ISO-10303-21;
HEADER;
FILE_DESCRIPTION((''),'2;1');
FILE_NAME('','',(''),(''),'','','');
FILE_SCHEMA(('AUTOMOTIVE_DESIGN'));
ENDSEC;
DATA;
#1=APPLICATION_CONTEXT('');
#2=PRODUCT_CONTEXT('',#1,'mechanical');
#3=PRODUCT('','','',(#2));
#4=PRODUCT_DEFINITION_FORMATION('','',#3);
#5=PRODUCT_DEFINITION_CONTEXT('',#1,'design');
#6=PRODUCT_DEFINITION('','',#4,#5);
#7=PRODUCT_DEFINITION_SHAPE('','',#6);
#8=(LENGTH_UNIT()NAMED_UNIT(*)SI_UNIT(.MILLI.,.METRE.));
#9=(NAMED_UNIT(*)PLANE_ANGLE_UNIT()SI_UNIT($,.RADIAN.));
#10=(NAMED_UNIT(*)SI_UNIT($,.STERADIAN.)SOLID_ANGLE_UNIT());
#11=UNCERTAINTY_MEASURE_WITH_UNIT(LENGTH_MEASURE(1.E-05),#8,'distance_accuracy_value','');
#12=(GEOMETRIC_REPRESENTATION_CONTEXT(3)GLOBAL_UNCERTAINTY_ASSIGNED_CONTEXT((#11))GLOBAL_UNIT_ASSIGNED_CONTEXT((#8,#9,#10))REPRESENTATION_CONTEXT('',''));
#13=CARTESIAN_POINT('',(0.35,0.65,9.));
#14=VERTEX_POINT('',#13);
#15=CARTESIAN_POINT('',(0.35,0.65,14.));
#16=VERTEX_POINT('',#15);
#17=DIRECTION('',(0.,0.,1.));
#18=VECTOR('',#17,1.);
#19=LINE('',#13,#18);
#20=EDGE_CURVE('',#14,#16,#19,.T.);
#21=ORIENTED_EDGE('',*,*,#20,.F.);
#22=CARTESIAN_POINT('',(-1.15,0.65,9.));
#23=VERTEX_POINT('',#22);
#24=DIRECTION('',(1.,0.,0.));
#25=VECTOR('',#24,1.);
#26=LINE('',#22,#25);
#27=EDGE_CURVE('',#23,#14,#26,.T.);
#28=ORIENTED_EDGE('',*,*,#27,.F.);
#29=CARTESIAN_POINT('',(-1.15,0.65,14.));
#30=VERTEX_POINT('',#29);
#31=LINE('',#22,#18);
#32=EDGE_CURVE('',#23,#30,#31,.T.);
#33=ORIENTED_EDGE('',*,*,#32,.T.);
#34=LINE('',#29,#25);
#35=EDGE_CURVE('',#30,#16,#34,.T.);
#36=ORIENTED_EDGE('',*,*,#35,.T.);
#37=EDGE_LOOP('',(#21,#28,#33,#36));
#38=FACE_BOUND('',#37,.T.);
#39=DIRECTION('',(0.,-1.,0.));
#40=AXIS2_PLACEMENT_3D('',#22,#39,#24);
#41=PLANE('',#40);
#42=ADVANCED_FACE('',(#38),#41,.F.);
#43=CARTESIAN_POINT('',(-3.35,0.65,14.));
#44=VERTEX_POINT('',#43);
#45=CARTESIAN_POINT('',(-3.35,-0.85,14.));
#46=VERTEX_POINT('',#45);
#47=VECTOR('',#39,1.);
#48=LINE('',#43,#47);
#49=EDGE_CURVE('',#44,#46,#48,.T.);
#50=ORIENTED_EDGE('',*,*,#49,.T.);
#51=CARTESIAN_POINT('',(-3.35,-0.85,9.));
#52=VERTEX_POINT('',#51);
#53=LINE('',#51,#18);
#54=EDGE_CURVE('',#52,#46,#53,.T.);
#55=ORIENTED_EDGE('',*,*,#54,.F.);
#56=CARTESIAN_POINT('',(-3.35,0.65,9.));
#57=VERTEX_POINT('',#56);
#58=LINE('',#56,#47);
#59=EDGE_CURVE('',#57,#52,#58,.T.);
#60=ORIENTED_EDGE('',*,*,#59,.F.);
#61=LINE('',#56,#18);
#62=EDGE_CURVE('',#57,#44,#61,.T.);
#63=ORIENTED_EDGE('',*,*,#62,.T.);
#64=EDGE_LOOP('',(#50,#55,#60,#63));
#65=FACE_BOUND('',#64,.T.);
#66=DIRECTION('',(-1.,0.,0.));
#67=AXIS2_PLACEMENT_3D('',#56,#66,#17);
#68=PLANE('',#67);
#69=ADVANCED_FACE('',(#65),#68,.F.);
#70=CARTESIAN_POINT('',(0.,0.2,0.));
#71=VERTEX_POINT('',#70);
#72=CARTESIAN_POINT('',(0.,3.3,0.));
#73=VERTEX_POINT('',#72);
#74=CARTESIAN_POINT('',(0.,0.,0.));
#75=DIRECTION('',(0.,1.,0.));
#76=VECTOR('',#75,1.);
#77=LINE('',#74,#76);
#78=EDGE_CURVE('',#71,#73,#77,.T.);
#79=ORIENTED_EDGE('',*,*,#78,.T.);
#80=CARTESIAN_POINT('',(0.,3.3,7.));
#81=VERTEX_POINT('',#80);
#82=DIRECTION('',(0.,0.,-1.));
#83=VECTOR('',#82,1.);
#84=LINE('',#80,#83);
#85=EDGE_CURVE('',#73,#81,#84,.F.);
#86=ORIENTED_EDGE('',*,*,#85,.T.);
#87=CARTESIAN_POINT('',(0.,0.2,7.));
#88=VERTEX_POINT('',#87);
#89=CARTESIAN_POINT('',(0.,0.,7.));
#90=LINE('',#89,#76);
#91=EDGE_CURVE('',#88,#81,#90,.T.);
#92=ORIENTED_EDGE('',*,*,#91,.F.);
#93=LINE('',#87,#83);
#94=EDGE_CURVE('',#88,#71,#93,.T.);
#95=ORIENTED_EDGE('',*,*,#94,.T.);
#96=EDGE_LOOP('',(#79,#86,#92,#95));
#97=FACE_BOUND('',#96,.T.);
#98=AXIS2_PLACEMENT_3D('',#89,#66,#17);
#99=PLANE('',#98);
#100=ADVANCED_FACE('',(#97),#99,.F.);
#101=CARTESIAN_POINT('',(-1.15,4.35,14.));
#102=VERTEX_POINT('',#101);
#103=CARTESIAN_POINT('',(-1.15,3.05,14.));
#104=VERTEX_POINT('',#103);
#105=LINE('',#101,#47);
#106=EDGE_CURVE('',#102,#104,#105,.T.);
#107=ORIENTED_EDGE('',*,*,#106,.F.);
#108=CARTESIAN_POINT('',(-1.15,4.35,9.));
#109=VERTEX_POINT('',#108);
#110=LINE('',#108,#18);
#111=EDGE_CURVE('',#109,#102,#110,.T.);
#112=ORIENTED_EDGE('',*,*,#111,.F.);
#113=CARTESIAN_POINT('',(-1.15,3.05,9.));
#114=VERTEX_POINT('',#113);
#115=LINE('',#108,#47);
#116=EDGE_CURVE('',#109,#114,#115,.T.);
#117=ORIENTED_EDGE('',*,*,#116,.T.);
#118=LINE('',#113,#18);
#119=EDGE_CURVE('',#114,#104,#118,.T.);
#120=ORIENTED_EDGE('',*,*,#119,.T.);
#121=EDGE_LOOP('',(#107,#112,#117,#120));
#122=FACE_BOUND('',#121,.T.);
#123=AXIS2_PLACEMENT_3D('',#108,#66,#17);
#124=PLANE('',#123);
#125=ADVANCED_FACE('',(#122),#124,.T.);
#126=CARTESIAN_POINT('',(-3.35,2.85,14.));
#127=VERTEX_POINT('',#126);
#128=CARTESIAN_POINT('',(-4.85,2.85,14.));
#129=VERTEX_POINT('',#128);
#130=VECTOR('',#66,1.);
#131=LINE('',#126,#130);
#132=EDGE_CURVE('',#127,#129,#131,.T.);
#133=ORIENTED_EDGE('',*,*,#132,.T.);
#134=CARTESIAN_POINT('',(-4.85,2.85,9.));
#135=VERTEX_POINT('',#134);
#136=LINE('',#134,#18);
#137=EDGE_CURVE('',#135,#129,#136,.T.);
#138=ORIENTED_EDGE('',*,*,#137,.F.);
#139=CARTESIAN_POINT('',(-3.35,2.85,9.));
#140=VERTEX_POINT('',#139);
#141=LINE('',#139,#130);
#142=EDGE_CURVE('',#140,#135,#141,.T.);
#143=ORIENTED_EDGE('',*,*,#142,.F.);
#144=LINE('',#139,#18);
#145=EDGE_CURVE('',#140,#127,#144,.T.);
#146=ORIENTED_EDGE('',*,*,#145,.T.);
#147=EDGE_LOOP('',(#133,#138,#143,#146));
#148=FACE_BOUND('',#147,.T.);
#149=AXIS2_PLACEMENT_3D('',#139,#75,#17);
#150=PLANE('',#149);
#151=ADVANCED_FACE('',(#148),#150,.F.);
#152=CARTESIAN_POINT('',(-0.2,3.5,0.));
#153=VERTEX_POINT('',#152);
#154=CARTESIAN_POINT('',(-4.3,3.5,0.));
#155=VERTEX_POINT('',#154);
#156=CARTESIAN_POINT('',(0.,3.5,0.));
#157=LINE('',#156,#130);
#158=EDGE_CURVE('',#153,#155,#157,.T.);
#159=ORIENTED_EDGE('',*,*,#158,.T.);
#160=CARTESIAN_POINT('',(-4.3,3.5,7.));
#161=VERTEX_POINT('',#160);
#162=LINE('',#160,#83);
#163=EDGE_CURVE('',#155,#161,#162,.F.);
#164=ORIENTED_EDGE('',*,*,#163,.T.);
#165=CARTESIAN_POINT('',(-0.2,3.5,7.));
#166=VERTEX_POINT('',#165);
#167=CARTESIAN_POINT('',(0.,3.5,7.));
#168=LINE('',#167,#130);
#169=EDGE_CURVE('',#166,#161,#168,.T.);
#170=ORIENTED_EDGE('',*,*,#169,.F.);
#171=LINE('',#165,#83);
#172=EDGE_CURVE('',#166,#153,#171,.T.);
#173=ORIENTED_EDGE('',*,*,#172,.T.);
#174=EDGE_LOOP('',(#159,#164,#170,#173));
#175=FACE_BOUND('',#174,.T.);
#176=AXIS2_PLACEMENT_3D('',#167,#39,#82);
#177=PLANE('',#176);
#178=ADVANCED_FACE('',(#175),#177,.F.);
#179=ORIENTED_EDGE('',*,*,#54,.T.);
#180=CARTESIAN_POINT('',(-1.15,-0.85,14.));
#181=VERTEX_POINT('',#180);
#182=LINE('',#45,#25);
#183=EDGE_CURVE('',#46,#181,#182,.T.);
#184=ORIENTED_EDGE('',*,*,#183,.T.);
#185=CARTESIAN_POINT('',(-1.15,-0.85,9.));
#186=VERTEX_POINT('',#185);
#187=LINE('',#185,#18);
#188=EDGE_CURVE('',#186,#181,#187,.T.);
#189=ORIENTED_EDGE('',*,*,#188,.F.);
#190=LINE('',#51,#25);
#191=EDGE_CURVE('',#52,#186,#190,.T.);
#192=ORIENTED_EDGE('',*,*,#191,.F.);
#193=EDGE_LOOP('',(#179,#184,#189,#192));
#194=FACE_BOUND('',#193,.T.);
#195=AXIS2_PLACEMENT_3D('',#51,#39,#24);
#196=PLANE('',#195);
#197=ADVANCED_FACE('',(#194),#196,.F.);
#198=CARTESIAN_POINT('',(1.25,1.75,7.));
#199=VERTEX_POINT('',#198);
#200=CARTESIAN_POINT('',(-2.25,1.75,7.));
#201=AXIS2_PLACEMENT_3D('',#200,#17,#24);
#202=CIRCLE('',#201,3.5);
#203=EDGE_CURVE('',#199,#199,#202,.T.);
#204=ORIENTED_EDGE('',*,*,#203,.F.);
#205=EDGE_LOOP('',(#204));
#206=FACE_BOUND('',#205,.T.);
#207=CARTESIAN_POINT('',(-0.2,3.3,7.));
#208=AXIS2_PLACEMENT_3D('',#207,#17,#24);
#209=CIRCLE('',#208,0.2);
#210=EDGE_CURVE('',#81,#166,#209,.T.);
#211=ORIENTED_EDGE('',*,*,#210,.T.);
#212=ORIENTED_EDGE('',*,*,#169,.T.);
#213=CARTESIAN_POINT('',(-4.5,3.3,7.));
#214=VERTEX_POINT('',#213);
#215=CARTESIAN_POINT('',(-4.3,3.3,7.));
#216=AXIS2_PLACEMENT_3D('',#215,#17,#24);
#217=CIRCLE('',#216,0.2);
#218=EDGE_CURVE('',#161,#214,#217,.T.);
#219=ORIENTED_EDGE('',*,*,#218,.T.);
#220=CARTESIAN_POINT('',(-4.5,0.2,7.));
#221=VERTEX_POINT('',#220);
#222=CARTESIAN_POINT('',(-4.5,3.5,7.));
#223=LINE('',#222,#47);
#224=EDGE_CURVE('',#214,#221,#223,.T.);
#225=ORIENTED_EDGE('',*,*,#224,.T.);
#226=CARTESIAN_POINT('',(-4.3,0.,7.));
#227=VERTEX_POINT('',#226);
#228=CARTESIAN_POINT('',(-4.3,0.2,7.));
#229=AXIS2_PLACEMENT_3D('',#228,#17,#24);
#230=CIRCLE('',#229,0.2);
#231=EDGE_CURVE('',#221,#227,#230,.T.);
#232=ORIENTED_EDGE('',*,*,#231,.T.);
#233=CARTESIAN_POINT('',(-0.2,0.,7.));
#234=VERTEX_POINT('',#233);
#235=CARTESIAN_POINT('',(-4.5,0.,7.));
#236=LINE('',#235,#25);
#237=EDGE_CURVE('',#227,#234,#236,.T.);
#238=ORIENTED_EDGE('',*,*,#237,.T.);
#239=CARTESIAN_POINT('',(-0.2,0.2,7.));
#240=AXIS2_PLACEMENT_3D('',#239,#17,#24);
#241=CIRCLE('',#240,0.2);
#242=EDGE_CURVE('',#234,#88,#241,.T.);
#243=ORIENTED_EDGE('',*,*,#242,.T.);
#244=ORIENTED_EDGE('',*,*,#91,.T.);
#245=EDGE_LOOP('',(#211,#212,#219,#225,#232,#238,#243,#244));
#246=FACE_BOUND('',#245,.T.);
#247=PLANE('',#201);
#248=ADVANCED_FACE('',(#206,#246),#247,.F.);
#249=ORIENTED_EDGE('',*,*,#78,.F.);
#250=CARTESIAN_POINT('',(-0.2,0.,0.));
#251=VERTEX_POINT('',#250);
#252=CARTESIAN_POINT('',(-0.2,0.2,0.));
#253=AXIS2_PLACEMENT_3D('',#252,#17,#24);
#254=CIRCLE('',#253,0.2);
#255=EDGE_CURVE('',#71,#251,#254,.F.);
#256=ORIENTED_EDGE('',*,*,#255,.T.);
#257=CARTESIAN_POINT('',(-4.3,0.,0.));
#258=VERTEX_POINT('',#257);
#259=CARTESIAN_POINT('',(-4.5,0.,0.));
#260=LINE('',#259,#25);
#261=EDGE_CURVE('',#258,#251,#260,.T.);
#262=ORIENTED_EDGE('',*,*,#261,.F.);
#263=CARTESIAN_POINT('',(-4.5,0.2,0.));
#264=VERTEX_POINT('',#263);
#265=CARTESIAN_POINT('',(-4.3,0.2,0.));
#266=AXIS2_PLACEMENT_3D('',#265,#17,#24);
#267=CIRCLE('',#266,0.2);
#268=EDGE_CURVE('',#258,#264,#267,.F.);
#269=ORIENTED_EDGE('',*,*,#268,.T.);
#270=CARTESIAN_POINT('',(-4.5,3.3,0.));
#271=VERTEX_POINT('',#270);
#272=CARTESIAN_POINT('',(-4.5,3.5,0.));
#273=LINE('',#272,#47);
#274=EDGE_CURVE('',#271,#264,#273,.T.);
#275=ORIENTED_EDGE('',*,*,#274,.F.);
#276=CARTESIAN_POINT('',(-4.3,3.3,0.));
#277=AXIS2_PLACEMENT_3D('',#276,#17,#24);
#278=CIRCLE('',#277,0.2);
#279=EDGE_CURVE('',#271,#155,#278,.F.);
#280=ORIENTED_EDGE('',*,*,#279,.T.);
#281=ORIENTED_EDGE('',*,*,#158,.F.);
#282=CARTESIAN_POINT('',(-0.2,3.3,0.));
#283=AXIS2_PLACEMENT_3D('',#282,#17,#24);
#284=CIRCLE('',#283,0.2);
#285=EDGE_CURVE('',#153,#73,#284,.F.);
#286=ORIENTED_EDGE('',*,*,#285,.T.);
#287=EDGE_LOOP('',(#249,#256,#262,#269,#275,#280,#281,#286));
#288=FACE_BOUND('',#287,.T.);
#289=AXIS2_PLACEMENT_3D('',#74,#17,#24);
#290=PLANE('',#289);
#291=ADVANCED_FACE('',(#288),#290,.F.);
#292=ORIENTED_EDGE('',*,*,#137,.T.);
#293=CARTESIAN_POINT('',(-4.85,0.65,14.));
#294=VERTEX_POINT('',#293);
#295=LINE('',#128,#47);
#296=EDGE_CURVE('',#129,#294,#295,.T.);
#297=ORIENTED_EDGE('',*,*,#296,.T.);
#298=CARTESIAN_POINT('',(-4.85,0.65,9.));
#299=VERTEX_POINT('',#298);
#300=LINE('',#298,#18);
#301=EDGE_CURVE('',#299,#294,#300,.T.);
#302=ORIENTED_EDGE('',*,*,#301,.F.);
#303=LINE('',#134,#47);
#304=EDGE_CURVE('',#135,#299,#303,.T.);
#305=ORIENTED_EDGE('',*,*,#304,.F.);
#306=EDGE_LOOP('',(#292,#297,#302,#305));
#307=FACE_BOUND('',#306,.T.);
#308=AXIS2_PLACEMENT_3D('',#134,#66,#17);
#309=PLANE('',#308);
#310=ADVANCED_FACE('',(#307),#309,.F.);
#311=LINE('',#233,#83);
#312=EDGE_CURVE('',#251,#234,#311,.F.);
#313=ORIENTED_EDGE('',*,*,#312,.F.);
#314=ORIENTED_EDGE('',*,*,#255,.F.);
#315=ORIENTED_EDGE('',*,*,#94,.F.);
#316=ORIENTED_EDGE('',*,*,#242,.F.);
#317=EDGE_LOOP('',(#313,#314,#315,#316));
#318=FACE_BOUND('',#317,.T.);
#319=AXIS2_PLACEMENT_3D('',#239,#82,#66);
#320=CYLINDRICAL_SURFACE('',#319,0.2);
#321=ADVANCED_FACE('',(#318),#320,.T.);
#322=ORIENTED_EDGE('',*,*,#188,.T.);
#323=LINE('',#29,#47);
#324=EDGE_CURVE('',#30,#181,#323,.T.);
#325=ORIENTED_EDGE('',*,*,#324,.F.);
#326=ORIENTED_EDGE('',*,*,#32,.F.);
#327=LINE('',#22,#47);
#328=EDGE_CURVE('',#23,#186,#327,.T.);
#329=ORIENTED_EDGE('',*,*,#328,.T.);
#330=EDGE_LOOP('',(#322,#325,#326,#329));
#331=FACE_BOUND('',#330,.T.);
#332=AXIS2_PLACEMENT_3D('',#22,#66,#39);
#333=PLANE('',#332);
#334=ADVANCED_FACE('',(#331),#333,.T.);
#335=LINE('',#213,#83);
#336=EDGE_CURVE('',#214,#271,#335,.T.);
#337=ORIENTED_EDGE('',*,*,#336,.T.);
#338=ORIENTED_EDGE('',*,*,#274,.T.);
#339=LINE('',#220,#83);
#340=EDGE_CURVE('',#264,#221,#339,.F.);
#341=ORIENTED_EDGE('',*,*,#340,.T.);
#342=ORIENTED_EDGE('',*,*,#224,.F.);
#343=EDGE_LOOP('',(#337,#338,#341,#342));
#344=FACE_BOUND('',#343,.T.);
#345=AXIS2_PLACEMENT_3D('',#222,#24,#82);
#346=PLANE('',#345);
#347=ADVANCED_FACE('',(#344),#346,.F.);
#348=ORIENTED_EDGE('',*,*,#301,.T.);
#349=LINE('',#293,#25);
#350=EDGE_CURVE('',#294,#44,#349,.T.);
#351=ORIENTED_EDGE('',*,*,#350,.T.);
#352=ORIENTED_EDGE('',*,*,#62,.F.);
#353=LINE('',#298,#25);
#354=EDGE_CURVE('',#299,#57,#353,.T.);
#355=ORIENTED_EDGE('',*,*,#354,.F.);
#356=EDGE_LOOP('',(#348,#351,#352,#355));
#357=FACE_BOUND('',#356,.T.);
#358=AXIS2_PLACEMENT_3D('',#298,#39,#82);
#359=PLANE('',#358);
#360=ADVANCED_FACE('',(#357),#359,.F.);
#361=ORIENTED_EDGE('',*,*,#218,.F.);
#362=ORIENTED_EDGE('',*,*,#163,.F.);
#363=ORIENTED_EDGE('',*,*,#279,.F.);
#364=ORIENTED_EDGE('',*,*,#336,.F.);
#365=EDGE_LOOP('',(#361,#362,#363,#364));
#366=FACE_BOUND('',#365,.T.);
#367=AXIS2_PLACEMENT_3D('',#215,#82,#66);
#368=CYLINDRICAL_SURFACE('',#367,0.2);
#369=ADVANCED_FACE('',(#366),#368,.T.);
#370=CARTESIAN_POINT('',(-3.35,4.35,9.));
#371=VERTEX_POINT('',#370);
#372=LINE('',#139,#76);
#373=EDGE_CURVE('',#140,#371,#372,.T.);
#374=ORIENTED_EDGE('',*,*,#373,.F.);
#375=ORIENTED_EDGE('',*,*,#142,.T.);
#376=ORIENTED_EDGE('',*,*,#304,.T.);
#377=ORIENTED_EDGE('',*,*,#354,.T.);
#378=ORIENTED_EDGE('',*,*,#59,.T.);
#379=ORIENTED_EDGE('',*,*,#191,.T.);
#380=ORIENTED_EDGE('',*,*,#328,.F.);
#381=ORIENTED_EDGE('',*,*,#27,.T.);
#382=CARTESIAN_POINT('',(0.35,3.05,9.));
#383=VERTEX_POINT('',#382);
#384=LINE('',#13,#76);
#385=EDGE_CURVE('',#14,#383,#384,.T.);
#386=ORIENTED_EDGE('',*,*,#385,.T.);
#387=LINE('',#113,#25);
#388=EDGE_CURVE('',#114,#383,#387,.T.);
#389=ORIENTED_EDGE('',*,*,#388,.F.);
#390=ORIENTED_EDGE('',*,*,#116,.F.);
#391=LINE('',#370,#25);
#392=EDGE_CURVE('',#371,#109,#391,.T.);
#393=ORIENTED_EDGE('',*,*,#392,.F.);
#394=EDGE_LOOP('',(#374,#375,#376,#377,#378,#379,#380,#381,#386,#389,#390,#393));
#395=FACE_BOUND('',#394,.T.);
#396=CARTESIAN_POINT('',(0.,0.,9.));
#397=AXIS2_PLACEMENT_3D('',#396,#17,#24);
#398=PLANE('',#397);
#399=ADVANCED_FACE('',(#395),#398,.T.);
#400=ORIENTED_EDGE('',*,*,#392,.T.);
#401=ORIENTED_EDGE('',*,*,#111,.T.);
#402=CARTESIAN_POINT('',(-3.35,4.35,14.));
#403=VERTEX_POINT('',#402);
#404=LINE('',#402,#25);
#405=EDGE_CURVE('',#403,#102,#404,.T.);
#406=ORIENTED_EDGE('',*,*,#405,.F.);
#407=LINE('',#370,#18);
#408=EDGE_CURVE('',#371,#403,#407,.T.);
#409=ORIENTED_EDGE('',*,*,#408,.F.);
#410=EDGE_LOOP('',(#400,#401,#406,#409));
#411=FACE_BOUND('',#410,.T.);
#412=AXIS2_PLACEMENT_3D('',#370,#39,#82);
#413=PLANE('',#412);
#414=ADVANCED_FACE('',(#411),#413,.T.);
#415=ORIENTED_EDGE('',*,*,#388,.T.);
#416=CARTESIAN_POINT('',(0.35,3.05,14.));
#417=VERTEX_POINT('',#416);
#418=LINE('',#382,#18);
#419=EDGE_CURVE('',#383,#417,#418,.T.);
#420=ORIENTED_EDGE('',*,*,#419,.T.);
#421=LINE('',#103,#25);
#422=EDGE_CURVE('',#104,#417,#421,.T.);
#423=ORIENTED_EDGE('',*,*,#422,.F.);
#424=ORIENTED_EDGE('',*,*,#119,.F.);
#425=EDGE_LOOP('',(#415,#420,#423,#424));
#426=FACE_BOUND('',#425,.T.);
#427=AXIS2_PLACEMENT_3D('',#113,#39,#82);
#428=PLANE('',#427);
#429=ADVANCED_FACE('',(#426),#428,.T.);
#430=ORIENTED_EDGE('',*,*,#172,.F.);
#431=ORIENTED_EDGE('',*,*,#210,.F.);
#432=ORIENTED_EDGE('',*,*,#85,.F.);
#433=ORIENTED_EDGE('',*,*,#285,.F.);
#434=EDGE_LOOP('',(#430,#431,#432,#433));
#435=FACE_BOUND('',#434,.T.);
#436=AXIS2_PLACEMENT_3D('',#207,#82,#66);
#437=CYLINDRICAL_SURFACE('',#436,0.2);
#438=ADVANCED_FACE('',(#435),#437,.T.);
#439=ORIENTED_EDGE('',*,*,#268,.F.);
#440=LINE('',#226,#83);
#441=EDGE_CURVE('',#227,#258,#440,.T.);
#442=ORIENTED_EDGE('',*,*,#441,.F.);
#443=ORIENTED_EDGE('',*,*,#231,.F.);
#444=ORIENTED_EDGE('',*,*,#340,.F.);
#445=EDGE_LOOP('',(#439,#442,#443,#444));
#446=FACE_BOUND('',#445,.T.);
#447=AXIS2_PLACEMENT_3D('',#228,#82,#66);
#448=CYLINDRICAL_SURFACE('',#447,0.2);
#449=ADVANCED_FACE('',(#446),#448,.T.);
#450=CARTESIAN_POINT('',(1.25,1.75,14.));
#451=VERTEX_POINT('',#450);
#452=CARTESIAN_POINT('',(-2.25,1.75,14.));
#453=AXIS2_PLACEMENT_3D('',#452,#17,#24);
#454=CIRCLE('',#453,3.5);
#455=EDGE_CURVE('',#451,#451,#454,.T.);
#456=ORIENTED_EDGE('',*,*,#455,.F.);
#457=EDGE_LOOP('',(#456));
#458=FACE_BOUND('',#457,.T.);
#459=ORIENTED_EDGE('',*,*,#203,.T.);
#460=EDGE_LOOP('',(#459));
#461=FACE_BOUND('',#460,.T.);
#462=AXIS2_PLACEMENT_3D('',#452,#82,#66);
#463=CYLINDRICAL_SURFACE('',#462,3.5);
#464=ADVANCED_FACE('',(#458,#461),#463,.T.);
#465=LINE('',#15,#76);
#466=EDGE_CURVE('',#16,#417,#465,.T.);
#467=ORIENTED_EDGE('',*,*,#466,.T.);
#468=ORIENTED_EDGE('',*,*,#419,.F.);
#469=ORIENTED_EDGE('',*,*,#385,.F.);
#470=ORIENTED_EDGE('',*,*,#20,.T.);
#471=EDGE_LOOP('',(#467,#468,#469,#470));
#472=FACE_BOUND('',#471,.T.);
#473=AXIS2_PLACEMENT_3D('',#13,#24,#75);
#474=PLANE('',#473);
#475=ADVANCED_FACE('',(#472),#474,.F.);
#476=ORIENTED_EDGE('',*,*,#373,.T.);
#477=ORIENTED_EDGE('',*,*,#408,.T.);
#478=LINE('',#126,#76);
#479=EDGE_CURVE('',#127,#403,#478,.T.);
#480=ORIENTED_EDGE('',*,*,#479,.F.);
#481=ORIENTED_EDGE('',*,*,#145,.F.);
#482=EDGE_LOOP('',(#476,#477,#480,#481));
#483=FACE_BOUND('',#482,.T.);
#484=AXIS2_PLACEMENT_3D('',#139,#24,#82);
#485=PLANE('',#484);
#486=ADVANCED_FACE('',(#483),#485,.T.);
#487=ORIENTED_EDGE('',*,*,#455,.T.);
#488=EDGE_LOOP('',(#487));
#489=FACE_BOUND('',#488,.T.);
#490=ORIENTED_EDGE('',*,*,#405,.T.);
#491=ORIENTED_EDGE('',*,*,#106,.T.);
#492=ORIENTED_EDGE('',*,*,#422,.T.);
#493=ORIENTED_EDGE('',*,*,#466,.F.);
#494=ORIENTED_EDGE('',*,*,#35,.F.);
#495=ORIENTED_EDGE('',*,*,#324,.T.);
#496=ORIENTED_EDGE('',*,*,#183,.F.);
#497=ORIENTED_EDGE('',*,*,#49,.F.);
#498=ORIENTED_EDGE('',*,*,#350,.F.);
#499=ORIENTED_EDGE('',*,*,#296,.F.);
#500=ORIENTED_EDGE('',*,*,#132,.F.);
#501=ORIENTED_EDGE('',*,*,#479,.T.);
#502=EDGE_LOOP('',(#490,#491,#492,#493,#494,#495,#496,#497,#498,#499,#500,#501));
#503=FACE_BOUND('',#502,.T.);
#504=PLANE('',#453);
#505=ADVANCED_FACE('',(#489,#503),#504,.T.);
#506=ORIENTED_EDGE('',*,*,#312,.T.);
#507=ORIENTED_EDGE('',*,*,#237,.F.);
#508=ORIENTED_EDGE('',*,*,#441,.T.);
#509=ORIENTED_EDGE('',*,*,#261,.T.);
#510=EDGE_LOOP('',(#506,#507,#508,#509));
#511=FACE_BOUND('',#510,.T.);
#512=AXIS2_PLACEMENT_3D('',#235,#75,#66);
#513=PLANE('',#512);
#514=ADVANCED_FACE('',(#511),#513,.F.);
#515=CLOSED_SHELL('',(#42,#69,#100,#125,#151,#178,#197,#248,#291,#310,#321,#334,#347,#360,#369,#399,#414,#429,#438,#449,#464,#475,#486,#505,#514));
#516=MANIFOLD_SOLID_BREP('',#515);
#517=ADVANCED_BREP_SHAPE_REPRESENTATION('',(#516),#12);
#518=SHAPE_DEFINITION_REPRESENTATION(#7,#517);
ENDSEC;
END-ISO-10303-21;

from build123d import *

# Parameters (mm, degrees)
SKETCH2_W           = 3.5
SKETCH2_H           = 4.5
BOSS_EXTRUDE1_DEPTH = 7
SKETCH3_R           = 3.5
BOSS_EXTRUDE2_DEPTH = 7
CUT_EXTRUDE1_DEPTH  = 5
FILLET1_R           = 0.2
FILLET2_R           = 0.2


with BuildPart() as part:
    # Sketch2 → Boss-Extrude1 (new body)
    with BuildSketch(Plane(origin=(0, 0, 0), x_dir=(0, 1, 0), z_dir=(0, 0, 1))):
        with Locations((1.75, 2.25)):
            Rectangle(SKETCH2_W, SKETCH2_H)
    extrude(amount=BOSS_EXTRUDE1_DEPTH)

    # Sketch3 → Boss-Extrude2 (add)
    with BuildSketch(Plane.XY.offset(7)):
        with Locations((-2.25, 1.75)):
            Circle(SKETCH3_R)
    extrude(amount=BOSS_EXTRUDE2_DEPTH)

    # Sketch4 → Cut-Extrude1 (cut)
    with BuildSketch(Plane.XY.offset(14)):
        Polygon((-3.35, 2.85), (-4.85, 2.85), (-4.85, 0.65), (-3.35, 0.65), (-3.35, -0.85), (-1.15, -0.85), (-1.15, 0.65), (0.35, 0.65), (0.35, 3.05), (-1.15, 3.05), (-1.15, 4.35), (-3.35, 4.35), align=None)
    extrude(amount=-CUT_EXTRUDE1_DEPTH, mode=Mode.SUBTRACT)

    # Fillet1
    fillet1_edges = [part.edges().sort_by_distance(p)[0] for p in [
        (0, 3.5, 3.5),
    ]]
    fillet(fillet1_edges, radius=FILLET1_R)

    # Fillet2
    fillet2_edges = [part.edges().sort_by_distance(p)[0] for p in [
        (-4.5, 0, 3.5),
        (-4.5, 3.5, 3.5),
        (0, 0, 3.5),
    ]]
    fillet(fillet2_edges, radius=FILLET2_R)


solid = part.part
